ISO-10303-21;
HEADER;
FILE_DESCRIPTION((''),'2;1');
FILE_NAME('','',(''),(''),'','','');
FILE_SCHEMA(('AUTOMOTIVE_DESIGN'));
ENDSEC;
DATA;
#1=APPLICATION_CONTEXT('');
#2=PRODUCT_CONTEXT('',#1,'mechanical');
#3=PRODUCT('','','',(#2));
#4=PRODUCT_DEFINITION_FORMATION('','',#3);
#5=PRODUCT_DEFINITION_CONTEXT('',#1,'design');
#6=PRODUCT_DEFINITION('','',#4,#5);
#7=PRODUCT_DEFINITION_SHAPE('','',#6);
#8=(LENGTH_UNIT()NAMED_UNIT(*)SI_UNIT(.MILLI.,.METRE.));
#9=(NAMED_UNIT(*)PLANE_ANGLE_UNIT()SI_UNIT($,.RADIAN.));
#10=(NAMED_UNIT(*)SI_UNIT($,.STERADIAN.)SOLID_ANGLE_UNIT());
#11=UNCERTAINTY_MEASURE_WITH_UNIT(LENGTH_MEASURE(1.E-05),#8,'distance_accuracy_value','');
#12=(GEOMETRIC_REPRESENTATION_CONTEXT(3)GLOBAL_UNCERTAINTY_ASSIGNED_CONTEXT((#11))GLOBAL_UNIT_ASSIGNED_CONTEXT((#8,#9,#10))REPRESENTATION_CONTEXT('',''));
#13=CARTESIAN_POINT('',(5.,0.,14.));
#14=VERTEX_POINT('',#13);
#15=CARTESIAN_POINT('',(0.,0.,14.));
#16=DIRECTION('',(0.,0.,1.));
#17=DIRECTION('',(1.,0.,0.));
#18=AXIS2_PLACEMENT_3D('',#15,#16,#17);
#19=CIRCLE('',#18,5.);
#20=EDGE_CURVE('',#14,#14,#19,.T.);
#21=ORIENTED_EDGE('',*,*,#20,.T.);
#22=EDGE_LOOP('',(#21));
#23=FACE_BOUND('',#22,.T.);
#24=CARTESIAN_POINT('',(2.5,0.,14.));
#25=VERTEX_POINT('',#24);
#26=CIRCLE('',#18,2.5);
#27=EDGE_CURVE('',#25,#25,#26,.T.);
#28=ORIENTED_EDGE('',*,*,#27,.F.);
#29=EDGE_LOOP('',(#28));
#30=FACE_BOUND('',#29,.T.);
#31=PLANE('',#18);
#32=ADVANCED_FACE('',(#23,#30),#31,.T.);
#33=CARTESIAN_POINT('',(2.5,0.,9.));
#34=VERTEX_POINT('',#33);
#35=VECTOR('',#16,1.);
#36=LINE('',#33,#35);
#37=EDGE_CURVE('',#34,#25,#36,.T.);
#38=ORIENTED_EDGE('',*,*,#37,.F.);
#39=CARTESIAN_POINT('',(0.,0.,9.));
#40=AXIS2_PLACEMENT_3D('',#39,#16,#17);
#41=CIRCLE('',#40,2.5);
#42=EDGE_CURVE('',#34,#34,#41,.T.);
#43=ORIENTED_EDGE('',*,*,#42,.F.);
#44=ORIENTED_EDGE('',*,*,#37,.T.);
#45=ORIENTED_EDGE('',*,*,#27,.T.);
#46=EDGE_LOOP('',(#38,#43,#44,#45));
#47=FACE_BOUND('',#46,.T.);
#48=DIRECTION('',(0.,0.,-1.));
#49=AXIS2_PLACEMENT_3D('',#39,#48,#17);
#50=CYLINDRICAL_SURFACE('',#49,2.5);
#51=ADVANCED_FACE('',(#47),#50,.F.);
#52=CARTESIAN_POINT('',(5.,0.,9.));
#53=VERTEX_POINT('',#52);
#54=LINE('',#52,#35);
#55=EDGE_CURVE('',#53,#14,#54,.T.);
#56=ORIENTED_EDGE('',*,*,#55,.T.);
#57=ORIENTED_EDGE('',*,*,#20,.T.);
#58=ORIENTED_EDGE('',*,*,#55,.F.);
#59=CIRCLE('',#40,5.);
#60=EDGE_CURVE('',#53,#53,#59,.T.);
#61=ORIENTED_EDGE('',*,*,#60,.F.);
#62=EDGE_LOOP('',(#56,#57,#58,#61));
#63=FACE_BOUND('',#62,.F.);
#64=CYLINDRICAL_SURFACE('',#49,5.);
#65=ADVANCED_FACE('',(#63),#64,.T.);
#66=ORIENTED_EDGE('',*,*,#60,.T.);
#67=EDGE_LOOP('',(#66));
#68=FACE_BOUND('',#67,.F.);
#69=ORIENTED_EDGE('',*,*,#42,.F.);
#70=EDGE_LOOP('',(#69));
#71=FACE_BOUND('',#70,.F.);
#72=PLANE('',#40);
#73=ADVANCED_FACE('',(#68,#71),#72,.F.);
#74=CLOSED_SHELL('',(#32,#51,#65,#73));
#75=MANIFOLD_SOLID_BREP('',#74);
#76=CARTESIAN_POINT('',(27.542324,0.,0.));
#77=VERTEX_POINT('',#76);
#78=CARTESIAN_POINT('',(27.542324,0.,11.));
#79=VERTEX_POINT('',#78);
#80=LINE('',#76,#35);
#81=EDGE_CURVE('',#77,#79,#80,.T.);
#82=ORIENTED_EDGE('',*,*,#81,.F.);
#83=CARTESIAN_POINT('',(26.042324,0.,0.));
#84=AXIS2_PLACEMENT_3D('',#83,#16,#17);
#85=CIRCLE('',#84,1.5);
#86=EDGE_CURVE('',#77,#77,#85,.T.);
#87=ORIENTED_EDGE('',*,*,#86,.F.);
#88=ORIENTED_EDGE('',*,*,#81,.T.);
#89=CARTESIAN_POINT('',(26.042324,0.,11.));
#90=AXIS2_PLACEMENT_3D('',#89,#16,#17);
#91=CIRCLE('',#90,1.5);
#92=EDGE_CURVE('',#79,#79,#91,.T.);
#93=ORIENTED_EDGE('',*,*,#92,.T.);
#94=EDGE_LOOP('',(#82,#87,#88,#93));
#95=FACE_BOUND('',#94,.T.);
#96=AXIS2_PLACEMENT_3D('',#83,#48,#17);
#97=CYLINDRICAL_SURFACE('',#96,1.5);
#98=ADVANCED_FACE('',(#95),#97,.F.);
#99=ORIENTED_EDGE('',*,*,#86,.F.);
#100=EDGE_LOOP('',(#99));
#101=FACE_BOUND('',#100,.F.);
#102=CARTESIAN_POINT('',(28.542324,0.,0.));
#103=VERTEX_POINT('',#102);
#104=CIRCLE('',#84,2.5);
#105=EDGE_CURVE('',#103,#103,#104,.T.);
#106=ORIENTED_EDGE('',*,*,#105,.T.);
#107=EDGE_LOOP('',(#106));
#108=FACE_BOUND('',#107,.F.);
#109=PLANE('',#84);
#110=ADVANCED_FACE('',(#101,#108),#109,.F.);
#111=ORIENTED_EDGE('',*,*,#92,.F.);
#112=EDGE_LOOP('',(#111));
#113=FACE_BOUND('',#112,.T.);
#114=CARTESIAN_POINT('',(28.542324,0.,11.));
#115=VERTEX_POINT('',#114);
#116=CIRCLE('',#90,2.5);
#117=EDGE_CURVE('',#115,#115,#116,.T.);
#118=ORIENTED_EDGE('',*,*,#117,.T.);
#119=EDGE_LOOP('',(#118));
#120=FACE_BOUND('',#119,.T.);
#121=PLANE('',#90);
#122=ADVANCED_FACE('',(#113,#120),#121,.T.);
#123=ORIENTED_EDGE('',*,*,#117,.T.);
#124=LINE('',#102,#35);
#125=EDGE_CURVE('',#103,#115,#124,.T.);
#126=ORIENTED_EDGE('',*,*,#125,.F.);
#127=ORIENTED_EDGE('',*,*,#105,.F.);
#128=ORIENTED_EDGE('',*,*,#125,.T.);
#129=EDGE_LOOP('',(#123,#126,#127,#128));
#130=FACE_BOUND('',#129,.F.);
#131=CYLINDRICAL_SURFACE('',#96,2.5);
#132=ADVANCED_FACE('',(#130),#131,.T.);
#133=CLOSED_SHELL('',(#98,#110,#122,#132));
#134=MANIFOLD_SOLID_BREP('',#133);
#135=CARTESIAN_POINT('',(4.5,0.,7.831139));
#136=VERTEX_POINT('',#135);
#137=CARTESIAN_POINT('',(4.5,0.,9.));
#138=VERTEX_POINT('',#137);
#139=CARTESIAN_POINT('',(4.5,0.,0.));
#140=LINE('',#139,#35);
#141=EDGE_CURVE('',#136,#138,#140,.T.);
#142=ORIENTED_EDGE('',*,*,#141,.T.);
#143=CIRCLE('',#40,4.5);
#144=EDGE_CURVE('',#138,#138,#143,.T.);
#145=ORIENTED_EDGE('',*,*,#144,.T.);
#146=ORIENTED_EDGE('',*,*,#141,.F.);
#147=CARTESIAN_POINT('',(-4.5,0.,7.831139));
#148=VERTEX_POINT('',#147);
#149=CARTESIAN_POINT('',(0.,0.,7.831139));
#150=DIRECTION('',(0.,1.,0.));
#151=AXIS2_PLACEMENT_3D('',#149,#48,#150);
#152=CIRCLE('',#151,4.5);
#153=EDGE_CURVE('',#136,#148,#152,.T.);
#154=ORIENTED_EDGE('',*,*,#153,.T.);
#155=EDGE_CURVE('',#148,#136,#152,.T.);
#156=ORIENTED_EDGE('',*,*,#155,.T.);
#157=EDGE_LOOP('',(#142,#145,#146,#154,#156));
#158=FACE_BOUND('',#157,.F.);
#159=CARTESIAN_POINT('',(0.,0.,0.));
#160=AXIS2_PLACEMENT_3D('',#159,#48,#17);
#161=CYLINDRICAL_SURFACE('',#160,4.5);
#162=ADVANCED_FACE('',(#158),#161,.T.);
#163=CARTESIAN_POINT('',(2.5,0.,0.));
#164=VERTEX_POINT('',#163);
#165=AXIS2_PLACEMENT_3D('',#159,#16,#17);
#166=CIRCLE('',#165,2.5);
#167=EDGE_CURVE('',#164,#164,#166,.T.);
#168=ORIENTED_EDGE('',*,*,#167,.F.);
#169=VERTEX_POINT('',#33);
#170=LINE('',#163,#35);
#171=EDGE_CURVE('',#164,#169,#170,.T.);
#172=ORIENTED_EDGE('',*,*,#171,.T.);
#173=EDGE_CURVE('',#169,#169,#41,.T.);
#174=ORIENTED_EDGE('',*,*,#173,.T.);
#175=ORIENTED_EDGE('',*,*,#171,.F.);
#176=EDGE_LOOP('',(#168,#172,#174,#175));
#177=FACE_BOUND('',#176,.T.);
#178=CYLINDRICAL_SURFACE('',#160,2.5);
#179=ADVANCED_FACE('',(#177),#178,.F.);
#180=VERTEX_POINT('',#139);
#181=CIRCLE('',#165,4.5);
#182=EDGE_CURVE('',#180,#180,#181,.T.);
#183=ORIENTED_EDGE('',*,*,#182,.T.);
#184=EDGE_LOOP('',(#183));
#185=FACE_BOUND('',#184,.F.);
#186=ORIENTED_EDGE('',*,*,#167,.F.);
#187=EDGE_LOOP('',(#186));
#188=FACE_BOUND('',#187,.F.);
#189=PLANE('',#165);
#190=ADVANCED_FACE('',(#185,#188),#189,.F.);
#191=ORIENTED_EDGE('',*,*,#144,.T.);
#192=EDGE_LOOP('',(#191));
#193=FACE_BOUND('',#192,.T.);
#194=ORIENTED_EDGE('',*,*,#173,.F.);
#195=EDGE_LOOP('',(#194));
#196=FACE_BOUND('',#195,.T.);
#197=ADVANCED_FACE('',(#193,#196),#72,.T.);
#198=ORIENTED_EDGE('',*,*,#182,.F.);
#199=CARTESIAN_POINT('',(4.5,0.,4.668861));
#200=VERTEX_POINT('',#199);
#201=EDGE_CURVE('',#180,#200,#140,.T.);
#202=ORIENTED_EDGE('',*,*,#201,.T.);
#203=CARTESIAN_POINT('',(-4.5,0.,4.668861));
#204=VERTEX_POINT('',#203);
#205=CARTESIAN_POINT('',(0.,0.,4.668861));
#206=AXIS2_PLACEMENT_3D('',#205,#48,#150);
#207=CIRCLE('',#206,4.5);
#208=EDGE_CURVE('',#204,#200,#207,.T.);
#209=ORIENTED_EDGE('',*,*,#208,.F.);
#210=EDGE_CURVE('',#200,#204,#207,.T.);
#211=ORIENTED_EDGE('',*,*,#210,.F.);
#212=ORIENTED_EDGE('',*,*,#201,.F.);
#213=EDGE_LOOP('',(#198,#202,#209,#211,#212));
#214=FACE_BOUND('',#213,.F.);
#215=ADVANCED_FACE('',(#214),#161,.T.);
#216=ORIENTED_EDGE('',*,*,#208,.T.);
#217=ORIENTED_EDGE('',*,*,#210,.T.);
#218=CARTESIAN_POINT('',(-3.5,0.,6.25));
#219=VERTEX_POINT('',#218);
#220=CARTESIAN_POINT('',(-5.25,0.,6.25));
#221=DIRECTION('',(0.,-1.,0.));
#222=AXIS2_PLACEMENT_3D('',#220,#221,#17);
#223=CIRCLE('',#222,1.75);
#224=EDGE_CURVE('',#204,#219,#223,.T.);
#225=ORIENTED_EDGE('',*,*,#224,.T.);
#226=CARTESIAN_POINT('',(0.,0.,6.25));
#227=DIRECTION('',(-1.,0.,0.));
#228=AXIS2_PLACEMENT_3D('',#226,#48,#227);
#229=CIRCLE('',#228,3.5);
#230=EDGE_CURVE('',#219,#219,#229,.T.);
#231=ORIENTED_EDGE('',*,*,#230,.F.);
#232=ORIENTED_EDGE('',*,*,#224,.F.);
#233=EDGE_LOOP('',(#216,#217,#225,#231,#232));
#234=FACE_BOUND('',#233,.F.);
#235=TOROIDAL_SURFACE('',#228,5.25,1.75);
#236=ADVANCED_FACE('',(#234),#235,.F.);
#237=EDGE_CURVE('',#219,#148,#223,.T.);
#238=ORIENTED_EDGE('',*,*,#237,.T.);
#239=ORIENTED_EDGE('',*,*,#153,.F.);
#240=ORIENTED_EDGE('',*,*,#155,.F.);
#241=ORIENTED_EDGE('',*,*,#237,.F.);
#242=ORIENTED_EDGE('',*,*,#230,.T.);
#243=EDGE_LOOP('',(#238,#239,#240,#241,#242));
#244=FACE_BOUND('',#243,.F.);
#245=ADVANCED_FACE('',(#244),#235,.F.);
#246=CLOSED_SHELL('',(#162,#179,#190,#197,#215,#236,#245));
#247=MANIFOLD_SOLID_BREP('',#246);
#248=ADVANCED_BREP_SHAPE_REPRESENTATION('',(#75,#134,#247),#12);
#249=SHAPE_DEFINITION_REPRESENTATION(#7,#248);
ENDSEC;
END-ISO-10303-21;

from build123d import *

# Parameters (mm, degrees)
F1_R     = 4.5
F1_R_2   = 2.5
F2_DEPTH = 9
F3_R     = 1.75
F5_R     = 5
F5_R_2   = 4.5
F5_R_3   = 2.5
F6_DEPTH = 5
F7_R     = 2.5
F7_R_2   = 1.5
F8_DEPTH = 11


with BuildPart() as f2:
    # F1 (on Top) → F2 (new body)
    with BuildSketch(Plane.XY):
        Circle(F1_R)
        Circle(F1_R_2, mode=Mode.SUBTRACT)
    extrude(amount=F2_DEPTH)

    # F3 (on Front) → F4 (revolve, cut)
    with BuildSketch(Plane.XZ):
        with Locations((-5.25, 6.25)):
            Circle(F3_R)
    revolve(axis=Axis((0, 0, 0), (0, 0, -1)), mode=Mode.SUBTRACT)


with BuildPart() as f6:
    # F5 (on face) → F6 (new body)
    with BuildSketch(Plane.XY.offset(9)):
        Circle(F5_R)
        Circle(F5_R_2, mode=Mode.SUBTRACT)
        Circle(F5_R_2)
        Circle(F5_R_3, mode=Mode.SUBTRACT)
    extrude(amount=F6_DEPTH)


with BuildPart() as f8:
    # F7 (on Top) → F8 (new body)
    with BuildSketch(Plane.XY):
        with Locations((26.0423235595, 0)):
            Circle(F7_R)
        with Locations((26.0423235595, 0)):
            Circle(F7_R_2, mode=Mode.SUBTRACT)
    extrude(amount=F8_DEPTH)


solid = Compound([f2.part, f6.part, f8.part])
